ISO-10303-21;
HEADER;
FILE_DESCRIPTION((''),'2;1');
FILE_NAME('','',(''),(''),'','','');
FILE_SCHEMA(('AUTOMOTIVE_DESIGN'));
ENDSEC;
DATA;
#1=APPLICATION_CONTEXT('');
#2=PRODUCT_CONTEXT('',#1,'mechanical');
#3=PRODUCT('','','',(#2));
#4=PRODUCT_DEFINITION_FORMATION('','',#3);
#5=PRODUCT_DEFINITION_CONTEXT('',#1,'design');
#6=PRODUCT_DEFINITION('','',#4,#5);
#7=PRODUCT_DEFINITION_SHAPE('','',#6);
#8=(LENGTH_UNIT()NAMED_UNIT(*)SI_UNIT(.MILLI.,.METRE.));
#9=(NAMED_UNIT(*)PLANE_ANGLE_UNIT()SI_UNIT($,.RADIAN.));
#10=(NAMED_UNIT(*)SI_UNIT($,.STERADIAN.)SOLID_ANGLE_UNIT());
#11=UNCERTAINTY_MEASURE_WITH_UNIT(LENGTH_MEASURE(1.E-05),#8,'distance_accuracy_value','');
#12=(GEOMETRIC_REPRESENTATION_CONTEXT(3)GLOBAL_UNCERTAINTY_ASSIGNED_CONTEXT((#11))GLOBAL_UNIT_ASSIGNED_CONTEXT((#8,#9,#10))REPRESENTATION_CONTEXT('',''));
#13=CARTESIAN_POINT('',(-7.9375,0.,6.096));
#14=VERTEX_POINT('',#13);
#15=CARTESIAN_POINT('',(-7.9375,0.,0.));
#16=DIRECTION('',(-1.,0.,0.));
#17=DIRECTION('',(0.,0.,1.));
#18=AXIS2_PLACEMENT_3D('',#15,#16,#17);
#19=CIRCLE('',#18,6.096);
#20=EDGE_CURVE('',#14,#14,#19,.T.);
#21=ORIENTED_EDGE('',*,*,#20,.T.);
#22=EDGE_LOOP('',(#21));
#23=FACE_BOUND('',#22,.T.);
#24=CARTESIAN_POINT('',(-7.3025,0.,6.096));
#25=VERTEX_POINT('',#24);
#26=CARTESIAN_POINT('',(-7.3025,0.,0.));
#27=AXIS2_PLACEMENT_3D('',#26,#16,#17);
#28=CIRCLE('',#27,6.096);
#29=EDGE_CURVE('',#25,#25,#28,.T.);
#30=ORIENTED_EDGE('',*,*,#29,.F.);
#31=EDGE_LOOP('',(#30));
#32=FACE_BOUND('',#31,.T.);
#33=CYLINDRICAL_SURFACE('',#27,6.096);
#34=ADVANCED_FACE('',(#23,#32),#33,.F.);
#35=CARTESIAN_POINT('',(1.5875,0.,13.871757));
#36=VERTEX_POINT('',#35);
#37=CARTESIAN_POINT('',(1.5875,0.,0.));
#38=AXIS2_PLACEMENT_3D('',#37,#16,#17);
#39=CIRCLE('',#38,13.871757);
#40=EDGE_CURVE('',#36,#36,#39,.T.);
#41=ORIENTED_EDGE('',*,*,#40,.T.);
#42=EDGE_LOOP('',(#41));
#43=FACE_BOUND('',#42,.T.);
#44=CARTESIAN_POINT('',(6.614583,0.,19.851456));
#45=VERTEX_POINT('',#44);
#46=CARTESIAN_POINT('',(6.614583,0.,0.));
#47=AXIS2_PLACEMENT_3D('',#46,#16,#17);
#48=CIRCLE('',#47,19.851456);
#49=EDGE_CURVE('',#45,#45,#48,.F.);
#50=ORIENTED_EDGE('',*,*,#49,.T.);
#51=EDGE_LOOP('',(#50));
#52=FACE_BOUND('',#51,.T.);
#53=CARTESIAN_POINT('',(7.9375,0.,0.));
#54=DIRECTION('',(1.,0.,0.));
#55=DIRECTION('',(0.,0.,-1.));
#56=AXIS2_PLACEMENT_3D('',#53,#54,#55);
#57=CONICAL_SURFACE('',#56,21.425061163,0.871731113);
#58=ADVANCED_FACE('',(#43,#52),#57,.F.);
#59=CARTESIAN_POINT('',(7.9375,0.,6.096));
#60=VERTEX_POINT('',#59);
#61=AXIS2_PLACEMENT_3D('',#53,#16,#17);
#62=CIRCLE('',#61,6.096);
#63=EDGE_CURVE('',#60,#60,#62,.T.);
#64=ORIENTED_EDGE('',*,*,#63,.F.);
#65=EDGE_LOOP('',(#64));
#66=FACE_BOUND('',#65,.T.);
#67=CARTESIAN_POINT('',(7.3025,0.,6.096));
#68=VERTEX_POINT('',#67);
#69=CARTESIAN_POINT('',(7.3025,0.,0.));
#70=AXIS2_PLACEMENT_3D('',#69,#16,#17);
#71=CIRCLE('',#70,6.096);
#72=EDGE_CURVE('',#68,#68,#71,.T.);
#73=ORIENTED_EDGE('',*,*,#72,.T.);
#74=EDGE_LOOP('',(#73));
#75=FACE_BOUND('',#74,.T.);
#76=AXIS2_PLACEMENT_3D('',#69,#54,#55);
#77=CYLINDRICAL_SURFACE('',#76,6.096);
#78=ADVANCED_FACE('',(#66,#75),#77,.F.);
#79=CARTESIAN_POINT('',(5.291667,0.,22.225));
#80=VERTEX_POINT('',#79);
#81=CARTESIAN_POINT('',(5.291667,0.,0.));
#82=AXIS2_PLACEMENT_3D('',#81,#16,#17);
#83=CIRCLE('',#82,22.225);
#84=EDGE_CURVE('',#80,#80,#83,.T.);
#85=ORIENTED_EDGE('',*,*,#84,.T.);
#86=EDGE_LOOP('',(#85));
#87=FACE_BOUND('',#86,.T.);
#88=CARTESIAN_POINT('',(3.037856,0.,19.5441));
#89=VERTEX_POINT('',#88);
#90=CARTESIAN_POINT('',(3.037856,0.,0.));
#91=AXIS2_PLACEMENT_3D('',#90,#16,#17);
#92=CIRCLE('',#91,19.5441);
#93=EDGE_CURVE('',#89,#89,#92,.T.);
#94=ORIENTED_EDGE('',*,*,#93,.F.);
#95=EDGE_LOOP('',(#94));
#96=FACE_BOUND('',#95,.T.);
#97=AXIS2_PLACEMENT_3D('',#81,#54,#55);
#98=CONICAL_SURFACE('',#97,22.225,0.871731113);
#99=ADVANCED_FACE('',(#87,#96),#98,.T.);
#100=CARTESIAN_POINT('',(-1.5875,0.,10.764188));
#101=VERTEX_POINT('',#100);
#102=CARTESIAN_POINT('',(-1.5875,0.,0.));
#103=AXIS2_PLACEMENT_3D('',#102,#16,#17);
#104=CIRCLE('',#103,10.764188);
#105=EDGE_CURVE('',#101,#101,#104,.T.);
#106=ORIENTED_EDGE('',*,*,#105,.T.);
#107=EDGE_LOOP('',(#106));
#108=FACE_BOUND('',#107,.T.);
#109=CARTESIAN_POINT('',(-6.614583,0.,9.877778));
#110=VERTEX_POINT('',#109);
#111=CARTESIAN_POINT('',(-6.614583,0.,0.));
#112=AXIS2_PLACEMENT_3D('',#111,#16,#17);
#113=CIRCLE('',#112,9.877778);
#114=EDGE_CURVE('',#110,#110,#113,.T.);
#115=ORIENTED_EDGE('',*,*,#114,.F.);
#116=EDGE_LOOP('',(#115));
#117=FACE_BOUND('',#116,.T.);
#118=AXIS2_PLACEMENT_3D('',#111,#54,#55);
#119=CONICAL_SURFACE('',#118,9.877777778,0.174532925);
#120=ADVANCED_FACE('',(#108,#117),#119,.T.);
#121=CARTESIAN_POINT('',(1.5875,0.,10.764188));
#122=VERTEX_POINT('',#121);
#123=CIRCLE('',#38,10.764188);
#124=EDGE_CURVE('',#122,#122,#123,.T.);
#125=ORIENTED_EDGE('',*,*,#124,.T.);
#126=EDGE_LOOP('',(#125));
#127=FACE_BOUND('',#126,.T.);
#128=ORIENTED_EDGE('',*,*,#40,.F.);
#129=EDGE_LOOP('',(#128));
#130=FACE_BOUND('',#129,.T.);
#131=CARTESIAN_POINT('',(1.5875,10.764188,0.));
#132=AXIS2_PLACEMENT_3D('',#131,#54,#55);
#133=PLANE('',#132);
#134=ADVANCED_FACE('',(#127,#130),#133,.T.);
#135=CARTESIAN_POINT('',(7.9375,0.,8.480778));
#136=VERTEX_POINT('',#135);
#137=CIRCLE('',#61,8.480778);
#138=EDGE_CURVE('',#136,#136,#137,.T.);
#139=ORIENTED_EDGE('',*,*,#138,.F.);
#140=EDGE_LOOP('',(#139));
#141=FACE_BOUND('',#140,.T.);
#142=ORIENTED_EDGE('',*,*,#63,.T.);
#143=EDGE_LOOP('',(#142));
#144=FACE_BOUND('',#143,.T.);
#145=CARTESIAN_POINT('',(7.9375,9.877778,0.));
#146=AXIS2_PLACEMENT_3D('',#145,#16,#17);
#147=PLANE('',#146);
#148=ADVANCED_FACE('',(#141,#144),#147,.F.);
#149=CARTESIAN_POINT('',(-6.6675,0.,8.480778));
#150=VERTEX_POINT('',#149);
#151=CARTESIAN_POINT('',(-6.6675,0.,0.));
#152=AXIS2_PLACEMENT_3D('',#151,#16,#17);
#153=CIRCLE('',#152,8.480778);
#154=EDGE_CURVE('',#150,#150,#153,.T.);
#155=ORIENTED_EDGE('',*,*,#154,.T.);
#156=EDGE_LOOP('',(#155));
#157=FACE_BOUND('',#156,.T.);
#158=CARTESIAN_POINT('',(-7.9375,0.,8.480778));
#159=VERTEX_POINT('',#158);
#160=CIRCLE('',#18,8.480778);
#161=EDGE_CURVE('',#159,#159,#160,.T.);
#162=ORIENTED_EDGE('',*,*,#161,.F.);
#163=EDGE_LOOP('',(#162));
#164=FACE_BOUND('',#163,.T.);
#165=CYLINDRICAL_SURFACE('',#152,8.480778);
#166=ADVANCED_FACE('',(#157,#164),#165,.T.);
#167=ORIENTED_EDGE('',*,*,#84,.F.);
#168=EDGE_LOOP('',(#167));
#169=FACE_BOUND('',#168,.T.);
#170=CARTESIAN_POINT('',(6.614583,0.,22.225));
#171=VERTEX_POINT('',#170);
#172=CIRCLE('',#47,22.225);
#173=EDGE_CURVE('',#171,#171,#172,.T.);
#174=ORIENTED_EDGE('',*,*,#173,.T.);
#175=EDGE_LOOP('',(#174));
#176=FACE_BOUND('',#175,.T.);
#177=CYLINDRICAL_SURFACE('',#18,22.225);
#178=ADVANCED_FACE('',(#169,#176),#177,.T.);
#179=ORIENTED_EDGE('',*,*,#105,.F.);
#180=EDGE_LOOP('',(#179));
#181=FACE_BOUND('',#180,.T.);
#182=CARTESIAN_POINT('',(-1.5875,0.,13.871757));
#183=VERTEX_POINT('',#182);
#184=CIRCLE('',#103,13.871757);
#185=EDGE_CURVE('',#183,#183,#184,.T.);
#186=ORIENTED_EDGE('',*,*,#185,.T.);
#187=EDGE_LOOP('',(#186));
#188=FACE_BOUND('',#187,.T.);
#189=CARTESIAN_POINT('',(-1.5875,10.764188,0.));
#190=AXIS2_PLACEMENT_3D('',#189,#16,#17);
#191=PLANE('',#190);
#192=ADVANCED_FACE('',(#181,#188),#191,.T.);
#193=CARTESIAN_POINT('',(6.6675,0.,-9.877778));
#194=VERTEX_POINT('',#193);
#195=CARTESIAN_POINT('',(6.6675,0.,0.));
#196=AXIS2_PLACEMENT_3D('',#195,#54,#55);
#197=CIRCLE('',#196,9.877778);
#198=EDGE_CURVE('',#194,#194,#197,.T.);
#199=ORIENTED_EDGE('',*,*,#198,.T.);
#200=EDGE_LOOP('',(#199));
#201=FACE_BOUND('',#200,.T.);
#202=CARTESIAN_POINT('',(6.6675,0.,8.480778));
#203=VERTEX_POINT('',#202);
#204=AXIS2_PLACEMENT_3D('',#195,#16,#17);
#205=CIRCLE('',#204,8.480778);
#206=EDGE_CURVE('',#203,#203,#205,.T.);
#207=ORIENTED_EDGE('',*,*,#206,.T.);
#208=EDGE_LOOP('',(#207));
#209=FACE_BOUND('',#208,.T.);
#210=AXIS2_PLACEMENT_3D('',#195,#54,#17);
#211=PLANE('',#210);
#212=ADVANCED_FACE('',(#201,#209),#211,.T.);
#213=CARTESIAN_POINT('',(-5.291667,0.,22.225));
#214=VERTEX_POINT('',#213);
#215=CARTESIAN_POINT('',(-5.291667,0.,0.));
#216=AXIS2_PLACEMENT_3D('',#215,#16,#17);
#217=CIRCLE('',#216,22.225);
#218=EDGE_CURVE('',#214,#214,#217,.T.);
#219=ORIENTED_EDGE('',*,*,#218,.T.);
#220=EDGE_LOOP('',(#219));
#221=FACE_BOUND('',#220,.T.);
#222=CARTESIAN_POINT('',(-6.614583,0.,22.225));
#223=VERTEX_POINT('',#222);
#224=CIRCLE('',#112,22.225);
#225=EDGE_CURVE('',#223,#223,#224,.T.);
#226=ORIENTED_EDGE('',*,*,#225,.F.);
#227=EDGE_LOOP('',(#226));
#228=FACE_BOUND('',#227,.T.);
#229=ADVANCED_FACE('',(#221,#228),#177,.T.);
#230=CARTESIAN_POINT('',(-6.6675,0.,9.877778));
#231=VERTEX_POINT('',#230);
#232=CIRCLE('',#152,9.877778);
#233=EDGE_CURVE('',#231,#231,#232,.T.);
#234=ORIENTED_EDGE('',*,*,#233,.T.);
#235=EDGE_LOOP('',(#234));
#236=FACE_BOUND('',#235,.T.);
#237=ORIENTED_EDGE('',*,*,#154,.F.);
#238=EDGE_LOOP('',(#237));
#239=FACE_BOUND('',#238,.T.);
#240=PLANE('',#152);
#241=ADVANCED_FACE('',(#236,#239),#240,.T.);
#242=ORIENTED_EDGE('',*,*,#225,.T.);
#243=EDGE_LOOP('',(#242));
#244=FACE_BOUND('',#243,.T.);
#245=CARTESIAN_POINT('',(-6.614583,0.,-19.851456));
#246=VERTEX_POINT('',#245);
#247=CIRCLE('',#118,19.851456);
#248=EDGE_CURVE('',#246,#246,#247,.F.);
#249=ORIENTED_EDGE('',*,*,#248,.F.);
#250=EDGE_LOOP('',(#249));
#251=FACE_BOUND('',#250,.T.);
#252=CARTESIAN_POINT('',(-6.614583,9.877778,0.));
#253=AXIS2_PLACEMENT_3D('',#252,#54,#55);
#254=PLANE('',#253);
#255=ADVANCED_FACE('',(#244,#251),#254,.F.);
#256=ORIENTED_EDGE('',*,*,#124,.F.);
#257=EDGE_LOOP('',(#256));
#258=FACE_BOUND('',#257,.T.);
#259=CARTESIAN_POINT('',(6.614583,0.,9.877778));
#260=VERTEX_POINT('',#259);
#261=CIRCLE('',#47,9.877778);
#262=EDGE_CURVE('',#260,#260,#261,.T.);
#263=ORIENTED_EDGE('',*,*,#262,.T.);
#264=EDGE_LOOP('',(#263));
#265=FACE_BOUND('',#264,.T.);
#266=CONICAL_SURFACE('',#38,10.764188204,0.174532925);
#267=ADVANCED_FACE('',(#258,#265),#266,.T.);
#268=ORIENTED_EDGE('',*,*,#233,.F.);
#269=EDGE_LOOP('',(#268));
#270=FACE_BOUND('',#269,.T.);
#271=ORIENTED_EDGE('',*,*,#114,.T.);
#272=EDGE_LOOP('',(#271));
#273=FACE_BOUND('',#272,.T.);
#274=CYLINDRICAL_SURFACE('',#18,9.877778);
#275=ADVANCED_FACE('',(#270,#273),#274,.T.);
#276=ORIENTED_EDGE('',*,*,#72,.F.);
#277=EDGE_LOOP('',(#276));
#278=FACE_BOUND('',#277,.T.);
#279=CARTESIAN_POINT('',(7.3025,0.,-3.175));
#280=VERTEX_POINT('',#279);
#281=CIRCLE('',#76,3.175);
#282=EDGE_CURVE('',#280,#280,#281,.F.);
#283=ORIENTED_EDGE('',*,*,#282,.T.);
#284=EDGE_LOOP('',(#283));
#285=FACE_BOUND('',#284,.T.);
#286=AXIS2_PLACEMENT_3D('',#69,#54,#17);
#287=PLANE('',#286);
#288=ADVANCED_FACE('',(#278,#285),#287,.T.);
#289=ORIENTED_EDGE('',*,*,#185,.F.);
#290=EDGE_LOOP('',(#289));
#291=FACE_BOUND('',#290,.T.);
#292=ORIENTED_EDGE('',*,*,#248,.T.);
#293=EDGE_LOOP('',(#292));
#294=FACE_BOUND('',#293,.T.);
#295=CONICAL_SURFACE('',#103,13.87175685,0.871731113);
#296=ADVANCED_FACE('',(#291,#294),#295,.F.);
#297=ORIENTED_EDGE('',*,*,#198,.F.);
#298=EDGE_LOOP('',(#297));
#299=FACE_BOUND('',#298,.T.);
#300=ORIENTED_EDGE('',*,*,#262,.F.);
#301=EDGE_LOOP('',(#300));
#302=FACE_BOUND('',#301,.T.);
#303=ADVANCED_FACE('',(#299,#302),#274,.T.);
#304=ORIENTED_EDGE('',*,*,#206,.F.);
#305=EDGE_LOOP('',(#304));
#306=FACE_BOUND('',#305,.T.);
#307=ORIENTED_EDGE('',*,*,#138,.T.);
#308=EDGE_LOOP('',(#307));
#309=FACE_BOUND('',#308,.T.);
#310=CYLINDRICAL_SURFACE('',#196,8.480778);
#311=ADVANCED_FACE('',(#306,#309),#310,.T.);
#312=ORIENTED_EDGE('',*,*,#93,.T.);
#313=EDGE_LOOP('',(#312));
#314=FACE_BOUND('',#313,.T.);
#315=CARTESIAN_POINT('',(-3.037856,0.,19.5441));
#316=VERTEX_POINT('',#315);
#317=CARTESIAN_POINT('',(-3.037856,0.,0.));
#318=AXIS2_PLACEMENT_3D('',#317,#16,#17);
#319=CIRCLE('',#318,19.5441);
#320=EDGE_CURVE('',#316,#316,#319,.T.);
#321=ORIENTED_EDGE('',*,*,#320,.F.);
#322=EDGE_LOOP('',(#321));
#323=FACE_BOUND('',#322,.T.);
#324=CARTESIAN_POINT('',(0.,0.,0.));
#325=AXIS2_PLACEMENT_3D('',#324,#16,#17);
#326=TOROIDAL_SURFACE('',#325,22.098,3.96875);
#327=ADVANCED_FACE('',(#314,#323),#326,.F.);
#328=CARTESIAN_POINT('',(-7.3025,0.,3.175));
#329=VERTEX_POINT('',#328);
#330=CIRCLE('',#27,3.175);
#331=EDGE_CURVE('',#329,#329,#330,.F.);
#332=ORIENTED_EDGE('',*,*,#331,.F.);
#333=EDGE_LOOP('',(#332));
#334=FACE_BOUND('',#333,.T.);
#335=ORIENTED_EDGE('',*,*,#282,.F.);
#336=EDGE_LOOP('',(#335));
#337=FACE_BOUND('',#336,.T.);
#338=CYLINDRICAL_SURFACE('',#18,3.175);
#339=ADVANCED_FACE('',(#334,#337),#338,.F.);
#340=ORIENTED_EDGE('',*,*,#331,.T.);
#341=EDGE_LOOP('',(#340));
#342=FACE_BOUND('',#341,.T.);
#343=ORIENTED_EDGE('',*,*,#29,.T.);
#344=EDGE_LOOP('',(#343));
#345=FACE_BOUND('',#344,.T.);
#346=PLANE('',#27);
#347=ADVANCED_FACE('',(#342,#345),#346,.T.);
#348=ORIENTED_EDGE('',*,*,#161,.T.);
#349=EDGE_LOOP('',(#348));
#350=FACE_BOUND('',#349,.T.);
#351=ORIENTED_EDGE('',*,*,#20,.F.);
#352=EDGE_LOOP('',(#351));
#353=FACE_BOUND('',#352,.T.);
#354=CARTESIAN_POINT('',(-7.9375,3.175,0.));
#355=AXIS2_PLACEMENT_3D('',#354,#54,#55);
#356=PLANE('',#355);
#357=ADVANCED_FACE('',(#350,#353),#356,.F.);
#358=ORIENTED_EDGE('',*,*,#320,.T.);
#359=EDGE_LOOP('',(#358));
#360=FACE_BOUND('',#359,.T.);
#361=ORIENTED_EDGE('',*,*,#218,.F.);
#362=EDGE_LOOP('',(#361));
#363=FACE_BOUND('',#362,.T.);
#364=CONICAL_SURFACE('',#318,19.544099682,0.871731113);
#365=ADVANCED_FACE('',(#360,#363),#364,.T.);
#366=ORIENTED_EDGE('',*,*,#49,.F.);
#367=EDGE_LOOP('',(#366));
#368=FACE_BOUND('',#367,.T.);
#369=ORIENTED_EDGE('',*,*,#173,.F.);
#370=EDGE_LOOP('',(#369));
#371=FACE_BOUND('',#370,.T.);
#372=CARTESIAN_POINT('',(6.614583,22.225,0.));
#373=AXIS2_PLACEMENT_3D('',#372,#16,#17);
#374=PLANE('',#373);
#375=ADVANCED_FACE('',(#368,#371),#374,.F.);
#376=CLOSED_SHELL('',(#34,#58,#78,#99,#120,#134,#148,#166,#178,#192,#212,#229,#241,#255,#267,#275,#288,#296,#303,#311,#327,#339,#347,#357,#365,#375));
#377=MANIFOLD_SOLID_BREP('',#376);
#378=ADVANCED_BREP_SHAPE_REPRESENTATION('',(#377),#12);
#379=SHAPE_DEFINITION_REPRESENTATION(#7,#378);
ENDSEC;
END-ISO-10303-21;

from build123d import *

# Parameters (mm, degrees)
SKETCH4_R          = 11.782777778
SKETCH4_R_2        = 8.480777778
CUT_EXTRUDE2_DEPTH = 1.27
SKETCH5_R          = 6.096
CUT_EXTRUDE3_DEPTH = 0.635


with BuildPart() as part:
    # Sketch1 → Revolve1 (revolve)
    with BuildSketch(Plane.XY, mode=Mode.PRIVATE) as revolve1_sk:
        with BuildLine():
            Line((5.291666667, 22.225), (6.614583333, 22.225))
            Line((6.614583333, 22.225), (6.614583333, 9.877777778))
            Line((6.614583333, 9.877777778), (7.9375, 9.877777778))
            Line((7.9375, 9.877777778), (7.9375, 3.175))
            Line((7.9375, 3.175), (-7.9375, 3.175))
            Line((-7.9375, 3.175), (-7.9375, 9.877777778))
            Line((-7.9375, 9.877777778), (-6.614583333, 9.877777778))
            Line((-6.614583333, 9.877777778), (-6.614583333, 22.225))
            Line((-6.614583333, 22.225), (-5.291666667, 22.225))
            Line((-5.291666667, 22.225), (-3.037856108, 19.544099682))
            ThreePointArc((-3.037856108, 19.544099682), (0, 18.12925), (3.037856108, 19.544099682))
            Line((3.037856108, 19.544099682), (5.291666667, 22.225))
        make_face()
    revolve(revolve1_sk.sketch.rotate(Axis((-7.9375, 0, 0), (1, 0, 0)), 90), axis=Axis((-7.9375, 0, 0), (1, 0, 0)))

    # Sketch2 → Cut-Revolve1 (revolve, cut)
    with BuildSketch(Plane.XY, mode=Mode.PRIVATE) as cut_revolve1_sk:
        Polygon((-7.9375, 9.877777778), (-6.614583333, 9.877777778), (-1.5875, 10.764188204), (-1.5875, 13.87175685), (-7.9375, 21.425061163), align=None)
        Polygon((7.9375, 9.877777778), (7.9375, 21.425061163), (1.5875, 13.87175685), (1.5875, 10.764188204), (6.614583333, 9.877777778), align=None)
    revolve(cut_revolve1_sk.sketch.rotate(Axis((-7.9375, 0, 0), (1, 0, 0)), 90), axis=Axis((-7.9375, 0, 0), (1, 0, 0)), mode=Mode.SUBTRACT)

    # Sketch4 → Cut-Extrude2 (cut)
    with BuildSketch(Plane.ZY.offset(7.9375)):
        Circle(SKETCH4_R)
        Circle(SKETCH4_R_2, mode=Mode.SUBTRACT)
    cut_extrude2 = extrude(amount=-CUT_EXTRUDE2_DEPTH, mode=Mode.SUBTRACT)

    # Sketch5 → Cut-Extrude3 (cut)
    with BuildSketch(Plane.ZY.offset(7.9375)):
        Circle(SKETCH5_R)
    cut_extrude3 = extrude(amount=-CUT_EXTRUDE3_DEPTH, mode=Mode.SUBTRACT)

    # Mirror1: Cut-Extrude2, Cut-Extrude3 across plane
    add(cut_extrude2.mirror(Plane(origin=(0, 0, 0), x_dir=(0, 0, 1), z_dir=(1, 0, 0))), mode=Mode.SUBTRACT)
    add(cut_extrude3.mirror(Plane(origin=(0, 0, 0), x_dir=(0, 0, 1), z_dir=(1, 0, 0))), mode=Mode.SUBTRACT)


solid = part.part
